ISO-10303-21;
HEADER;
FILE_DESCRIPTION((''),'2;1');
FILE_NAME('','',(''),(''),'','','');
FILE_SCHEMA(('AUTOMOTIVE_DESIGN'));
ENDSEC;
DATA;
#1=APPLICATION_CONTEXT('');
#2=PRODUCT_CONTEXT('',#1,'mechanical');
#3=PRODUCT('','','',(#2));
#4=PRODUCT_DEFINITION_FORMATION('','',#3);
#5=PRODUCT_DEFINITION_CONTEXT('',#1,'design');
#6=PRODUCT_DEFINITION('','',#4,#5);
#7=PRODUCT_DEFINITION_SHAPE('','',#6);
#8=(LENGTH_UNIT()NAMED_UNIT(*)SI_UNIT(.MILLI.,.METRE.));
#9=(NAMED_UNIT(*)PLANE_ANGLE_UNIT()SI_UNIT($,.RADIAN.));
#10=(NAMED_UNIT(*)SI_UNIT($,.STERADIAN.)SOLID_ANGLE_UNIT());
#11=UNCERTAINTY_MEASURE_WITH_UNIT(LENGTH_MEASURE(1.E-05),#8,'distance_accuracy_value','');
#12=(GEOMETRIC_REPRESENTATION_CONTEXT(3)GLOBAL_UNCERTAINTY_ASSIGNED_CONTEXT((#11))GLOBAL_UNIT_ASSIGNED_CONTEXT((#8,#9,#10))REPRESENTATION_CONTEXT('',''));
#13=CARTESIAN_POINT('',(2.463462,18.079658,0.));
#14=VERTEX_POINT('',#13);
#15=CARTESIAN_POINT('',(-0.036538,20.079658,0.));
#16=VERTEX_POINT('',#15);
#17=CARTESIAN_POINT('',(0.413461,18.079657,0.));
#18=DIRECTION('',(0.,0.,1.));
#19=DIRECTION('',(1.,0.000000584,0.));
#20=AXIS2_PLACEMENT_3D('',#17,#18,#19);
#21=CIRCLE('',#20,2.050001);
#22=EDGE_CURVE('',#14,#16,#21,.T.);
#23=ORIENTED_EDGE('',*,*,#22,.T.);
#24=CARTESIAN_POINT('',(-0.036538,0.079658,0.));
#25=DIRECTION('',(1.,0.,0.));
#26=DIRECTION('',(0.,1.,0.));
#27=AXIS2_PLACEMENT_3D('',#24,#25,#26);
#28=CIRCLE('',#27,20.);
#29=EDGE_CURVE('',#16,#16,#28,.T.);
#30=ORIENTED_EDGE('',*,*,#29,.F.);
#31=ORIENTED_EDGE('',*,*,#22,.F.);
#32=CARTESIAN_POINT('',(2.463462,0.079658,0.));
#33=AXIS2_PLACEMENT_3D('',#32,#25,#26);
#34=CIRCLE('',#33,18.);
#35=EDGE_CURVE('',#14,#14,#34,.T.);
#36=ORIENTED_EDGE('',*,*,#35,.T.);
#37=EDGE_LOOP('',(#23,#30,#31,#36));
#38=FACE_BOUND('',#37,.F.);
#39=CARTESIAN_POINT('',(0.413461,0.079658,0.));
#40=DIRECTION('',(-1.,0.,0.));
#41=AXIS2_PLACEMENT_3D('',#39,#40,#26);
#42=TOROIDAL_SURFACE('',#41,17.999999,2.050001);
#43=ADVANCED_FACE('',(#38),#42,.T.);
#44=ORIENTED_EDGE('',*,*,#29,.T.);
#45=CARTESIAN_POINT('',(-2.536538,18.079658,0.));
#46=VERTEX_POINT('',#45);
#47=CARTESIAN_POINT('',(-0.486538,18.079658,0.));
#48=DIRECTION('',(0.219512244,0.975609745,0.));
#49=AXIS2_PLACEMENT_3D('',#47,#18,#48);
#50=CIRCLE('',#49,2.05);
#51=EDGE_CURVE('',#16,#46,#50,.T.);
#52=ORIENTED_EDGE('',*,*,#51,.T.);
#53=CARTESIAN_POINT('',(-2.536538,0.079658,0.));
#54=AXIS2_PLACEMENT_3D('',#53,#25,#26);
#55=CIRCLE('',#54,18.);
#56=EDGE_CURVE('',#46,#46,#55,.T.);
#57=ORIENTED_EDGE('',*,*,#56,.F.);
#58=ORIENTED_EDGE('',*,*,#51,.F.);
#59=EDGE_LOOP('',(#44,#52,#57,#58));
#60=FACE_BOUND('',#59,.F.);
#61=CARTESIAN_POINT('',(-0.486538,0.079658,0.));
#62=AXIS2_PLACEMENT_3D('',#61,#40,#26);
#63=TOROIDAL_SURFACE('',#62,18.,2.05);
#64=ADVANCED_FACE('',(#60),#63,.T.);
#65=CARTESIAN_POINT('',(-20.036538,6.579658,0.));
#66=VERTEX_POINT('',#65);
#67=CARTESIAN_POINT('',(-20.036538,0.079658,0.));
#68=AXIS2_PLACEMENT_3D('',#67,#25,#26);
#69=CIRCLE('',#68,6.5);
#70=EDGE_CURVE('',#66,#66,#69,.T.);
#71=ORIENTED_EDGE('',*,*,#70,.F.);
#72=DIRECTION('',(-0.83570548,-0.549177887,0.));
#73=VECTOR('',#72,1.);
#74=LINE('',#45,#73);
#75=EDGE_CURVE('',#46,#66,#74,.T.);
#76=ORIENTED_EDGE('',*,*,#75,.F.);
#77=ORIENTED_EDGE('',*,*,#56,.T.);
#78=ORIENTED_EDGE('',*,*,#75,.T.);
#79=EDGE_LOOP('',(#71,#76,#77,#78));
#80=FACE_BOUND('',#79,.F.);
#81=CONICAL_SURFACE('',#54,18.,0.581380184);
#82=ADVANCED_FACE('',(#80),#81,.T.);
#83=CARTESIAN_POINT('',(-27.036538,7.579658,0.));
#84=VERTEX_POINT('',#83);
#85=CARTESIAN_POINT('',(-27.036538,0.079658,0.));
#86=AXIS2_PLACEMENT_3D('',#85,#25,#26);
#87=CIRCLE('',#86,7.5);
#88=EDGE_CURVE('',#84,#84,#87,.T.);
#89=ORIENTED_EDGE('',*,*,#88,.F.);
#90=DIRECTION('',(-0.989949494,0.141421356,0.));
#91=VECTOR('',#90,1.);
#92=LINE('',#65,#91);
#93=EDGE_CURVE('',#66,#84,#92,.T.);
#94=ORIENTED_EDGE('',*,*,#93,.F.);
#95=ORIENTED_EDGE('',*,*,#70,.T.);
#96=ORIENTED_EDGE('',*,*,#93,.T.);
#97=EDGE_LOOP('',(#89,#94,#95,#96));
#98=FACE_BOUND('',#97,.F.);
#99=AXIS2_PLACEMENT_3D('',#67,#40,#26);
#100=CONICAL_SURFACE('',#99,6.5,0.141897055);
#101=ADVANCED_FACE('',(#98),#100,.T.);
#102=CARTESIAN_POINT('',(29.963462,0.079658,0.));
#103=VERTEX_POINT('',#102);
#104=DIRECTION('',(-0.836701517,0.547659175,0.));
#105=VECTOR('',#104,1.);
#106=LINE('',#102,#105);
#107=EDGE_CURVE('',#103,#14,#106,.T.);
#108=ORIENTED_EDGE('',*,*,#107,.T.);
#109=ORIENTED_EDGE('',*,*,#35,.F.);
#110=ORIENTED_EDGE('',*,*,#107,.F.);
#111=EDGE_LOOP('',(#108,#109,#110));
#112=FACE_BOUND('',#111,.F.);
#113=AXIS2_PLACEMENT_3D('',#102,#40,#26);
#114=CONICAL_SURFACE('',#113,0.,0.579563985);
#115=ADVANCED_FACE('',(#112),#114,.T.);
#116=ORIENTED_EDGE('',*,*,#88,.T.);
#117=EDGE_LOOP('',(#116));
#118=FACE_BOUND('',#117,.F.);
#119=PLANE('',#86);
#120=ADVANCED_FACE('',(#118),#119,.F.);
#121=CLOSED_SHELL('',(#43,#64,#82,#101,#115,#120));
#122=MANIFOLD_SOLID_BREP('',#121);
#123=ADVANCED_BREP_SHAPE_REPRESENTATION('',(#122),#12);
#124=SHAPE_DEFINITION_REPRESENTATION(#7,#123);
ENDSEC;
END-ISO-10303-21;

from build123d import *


with BuildPart() as f1:
    # F0 (on Top) → F1 (revolve)
    with BuildSketch(Plane.XY):
        Polygon((-27.036538, 0.079658), (-20.036538, 0.079658), (-20.036538, 6.579658), (-27.036538, 7.579658), align=None)
        Polygon((-20.036538, 6.579658), (-20.036538, 0.079658), (-2.536538, 0.079658), (-2.536538, 18.079658), align=None)
        with BuildLine():
            Line((-2.536538, 18.079658), (-2.536538, 0.079658))
            Line((-2.536538, 0.079658), (-0.036538, 0.079658))
            Line((-0.036538, 0.079658), (-0.036538, 20.079658))
            ThreePointArc((-0.036538, 20.079658), (-1.767163, 19.680439), (-2.536538, 18.079658))
        make_face()
        with BuildLine():
            Line((-0.036538, 20.079658), (-0.036538, 0.079658))
            Line((-0.036538, 0.079658), (2.463462, 0.079658))
            Line((2.463462, 0.079658), (2.463462, 18.079658))
            ThreePointArc((2.463462, 18.079658), (1.694086, 19.680439), (-0.036538, 20.079658))
        make_face()
        Polygon((2.463462, 18.079658), (2.463462, 0.079658), (19.963462, 0.079658), (29.963462, 0.079658), align=None)
    revolve(axis=Axis((-0.036538, 0.079658, 0), (1, 0, 0)))


solid = f1.part
